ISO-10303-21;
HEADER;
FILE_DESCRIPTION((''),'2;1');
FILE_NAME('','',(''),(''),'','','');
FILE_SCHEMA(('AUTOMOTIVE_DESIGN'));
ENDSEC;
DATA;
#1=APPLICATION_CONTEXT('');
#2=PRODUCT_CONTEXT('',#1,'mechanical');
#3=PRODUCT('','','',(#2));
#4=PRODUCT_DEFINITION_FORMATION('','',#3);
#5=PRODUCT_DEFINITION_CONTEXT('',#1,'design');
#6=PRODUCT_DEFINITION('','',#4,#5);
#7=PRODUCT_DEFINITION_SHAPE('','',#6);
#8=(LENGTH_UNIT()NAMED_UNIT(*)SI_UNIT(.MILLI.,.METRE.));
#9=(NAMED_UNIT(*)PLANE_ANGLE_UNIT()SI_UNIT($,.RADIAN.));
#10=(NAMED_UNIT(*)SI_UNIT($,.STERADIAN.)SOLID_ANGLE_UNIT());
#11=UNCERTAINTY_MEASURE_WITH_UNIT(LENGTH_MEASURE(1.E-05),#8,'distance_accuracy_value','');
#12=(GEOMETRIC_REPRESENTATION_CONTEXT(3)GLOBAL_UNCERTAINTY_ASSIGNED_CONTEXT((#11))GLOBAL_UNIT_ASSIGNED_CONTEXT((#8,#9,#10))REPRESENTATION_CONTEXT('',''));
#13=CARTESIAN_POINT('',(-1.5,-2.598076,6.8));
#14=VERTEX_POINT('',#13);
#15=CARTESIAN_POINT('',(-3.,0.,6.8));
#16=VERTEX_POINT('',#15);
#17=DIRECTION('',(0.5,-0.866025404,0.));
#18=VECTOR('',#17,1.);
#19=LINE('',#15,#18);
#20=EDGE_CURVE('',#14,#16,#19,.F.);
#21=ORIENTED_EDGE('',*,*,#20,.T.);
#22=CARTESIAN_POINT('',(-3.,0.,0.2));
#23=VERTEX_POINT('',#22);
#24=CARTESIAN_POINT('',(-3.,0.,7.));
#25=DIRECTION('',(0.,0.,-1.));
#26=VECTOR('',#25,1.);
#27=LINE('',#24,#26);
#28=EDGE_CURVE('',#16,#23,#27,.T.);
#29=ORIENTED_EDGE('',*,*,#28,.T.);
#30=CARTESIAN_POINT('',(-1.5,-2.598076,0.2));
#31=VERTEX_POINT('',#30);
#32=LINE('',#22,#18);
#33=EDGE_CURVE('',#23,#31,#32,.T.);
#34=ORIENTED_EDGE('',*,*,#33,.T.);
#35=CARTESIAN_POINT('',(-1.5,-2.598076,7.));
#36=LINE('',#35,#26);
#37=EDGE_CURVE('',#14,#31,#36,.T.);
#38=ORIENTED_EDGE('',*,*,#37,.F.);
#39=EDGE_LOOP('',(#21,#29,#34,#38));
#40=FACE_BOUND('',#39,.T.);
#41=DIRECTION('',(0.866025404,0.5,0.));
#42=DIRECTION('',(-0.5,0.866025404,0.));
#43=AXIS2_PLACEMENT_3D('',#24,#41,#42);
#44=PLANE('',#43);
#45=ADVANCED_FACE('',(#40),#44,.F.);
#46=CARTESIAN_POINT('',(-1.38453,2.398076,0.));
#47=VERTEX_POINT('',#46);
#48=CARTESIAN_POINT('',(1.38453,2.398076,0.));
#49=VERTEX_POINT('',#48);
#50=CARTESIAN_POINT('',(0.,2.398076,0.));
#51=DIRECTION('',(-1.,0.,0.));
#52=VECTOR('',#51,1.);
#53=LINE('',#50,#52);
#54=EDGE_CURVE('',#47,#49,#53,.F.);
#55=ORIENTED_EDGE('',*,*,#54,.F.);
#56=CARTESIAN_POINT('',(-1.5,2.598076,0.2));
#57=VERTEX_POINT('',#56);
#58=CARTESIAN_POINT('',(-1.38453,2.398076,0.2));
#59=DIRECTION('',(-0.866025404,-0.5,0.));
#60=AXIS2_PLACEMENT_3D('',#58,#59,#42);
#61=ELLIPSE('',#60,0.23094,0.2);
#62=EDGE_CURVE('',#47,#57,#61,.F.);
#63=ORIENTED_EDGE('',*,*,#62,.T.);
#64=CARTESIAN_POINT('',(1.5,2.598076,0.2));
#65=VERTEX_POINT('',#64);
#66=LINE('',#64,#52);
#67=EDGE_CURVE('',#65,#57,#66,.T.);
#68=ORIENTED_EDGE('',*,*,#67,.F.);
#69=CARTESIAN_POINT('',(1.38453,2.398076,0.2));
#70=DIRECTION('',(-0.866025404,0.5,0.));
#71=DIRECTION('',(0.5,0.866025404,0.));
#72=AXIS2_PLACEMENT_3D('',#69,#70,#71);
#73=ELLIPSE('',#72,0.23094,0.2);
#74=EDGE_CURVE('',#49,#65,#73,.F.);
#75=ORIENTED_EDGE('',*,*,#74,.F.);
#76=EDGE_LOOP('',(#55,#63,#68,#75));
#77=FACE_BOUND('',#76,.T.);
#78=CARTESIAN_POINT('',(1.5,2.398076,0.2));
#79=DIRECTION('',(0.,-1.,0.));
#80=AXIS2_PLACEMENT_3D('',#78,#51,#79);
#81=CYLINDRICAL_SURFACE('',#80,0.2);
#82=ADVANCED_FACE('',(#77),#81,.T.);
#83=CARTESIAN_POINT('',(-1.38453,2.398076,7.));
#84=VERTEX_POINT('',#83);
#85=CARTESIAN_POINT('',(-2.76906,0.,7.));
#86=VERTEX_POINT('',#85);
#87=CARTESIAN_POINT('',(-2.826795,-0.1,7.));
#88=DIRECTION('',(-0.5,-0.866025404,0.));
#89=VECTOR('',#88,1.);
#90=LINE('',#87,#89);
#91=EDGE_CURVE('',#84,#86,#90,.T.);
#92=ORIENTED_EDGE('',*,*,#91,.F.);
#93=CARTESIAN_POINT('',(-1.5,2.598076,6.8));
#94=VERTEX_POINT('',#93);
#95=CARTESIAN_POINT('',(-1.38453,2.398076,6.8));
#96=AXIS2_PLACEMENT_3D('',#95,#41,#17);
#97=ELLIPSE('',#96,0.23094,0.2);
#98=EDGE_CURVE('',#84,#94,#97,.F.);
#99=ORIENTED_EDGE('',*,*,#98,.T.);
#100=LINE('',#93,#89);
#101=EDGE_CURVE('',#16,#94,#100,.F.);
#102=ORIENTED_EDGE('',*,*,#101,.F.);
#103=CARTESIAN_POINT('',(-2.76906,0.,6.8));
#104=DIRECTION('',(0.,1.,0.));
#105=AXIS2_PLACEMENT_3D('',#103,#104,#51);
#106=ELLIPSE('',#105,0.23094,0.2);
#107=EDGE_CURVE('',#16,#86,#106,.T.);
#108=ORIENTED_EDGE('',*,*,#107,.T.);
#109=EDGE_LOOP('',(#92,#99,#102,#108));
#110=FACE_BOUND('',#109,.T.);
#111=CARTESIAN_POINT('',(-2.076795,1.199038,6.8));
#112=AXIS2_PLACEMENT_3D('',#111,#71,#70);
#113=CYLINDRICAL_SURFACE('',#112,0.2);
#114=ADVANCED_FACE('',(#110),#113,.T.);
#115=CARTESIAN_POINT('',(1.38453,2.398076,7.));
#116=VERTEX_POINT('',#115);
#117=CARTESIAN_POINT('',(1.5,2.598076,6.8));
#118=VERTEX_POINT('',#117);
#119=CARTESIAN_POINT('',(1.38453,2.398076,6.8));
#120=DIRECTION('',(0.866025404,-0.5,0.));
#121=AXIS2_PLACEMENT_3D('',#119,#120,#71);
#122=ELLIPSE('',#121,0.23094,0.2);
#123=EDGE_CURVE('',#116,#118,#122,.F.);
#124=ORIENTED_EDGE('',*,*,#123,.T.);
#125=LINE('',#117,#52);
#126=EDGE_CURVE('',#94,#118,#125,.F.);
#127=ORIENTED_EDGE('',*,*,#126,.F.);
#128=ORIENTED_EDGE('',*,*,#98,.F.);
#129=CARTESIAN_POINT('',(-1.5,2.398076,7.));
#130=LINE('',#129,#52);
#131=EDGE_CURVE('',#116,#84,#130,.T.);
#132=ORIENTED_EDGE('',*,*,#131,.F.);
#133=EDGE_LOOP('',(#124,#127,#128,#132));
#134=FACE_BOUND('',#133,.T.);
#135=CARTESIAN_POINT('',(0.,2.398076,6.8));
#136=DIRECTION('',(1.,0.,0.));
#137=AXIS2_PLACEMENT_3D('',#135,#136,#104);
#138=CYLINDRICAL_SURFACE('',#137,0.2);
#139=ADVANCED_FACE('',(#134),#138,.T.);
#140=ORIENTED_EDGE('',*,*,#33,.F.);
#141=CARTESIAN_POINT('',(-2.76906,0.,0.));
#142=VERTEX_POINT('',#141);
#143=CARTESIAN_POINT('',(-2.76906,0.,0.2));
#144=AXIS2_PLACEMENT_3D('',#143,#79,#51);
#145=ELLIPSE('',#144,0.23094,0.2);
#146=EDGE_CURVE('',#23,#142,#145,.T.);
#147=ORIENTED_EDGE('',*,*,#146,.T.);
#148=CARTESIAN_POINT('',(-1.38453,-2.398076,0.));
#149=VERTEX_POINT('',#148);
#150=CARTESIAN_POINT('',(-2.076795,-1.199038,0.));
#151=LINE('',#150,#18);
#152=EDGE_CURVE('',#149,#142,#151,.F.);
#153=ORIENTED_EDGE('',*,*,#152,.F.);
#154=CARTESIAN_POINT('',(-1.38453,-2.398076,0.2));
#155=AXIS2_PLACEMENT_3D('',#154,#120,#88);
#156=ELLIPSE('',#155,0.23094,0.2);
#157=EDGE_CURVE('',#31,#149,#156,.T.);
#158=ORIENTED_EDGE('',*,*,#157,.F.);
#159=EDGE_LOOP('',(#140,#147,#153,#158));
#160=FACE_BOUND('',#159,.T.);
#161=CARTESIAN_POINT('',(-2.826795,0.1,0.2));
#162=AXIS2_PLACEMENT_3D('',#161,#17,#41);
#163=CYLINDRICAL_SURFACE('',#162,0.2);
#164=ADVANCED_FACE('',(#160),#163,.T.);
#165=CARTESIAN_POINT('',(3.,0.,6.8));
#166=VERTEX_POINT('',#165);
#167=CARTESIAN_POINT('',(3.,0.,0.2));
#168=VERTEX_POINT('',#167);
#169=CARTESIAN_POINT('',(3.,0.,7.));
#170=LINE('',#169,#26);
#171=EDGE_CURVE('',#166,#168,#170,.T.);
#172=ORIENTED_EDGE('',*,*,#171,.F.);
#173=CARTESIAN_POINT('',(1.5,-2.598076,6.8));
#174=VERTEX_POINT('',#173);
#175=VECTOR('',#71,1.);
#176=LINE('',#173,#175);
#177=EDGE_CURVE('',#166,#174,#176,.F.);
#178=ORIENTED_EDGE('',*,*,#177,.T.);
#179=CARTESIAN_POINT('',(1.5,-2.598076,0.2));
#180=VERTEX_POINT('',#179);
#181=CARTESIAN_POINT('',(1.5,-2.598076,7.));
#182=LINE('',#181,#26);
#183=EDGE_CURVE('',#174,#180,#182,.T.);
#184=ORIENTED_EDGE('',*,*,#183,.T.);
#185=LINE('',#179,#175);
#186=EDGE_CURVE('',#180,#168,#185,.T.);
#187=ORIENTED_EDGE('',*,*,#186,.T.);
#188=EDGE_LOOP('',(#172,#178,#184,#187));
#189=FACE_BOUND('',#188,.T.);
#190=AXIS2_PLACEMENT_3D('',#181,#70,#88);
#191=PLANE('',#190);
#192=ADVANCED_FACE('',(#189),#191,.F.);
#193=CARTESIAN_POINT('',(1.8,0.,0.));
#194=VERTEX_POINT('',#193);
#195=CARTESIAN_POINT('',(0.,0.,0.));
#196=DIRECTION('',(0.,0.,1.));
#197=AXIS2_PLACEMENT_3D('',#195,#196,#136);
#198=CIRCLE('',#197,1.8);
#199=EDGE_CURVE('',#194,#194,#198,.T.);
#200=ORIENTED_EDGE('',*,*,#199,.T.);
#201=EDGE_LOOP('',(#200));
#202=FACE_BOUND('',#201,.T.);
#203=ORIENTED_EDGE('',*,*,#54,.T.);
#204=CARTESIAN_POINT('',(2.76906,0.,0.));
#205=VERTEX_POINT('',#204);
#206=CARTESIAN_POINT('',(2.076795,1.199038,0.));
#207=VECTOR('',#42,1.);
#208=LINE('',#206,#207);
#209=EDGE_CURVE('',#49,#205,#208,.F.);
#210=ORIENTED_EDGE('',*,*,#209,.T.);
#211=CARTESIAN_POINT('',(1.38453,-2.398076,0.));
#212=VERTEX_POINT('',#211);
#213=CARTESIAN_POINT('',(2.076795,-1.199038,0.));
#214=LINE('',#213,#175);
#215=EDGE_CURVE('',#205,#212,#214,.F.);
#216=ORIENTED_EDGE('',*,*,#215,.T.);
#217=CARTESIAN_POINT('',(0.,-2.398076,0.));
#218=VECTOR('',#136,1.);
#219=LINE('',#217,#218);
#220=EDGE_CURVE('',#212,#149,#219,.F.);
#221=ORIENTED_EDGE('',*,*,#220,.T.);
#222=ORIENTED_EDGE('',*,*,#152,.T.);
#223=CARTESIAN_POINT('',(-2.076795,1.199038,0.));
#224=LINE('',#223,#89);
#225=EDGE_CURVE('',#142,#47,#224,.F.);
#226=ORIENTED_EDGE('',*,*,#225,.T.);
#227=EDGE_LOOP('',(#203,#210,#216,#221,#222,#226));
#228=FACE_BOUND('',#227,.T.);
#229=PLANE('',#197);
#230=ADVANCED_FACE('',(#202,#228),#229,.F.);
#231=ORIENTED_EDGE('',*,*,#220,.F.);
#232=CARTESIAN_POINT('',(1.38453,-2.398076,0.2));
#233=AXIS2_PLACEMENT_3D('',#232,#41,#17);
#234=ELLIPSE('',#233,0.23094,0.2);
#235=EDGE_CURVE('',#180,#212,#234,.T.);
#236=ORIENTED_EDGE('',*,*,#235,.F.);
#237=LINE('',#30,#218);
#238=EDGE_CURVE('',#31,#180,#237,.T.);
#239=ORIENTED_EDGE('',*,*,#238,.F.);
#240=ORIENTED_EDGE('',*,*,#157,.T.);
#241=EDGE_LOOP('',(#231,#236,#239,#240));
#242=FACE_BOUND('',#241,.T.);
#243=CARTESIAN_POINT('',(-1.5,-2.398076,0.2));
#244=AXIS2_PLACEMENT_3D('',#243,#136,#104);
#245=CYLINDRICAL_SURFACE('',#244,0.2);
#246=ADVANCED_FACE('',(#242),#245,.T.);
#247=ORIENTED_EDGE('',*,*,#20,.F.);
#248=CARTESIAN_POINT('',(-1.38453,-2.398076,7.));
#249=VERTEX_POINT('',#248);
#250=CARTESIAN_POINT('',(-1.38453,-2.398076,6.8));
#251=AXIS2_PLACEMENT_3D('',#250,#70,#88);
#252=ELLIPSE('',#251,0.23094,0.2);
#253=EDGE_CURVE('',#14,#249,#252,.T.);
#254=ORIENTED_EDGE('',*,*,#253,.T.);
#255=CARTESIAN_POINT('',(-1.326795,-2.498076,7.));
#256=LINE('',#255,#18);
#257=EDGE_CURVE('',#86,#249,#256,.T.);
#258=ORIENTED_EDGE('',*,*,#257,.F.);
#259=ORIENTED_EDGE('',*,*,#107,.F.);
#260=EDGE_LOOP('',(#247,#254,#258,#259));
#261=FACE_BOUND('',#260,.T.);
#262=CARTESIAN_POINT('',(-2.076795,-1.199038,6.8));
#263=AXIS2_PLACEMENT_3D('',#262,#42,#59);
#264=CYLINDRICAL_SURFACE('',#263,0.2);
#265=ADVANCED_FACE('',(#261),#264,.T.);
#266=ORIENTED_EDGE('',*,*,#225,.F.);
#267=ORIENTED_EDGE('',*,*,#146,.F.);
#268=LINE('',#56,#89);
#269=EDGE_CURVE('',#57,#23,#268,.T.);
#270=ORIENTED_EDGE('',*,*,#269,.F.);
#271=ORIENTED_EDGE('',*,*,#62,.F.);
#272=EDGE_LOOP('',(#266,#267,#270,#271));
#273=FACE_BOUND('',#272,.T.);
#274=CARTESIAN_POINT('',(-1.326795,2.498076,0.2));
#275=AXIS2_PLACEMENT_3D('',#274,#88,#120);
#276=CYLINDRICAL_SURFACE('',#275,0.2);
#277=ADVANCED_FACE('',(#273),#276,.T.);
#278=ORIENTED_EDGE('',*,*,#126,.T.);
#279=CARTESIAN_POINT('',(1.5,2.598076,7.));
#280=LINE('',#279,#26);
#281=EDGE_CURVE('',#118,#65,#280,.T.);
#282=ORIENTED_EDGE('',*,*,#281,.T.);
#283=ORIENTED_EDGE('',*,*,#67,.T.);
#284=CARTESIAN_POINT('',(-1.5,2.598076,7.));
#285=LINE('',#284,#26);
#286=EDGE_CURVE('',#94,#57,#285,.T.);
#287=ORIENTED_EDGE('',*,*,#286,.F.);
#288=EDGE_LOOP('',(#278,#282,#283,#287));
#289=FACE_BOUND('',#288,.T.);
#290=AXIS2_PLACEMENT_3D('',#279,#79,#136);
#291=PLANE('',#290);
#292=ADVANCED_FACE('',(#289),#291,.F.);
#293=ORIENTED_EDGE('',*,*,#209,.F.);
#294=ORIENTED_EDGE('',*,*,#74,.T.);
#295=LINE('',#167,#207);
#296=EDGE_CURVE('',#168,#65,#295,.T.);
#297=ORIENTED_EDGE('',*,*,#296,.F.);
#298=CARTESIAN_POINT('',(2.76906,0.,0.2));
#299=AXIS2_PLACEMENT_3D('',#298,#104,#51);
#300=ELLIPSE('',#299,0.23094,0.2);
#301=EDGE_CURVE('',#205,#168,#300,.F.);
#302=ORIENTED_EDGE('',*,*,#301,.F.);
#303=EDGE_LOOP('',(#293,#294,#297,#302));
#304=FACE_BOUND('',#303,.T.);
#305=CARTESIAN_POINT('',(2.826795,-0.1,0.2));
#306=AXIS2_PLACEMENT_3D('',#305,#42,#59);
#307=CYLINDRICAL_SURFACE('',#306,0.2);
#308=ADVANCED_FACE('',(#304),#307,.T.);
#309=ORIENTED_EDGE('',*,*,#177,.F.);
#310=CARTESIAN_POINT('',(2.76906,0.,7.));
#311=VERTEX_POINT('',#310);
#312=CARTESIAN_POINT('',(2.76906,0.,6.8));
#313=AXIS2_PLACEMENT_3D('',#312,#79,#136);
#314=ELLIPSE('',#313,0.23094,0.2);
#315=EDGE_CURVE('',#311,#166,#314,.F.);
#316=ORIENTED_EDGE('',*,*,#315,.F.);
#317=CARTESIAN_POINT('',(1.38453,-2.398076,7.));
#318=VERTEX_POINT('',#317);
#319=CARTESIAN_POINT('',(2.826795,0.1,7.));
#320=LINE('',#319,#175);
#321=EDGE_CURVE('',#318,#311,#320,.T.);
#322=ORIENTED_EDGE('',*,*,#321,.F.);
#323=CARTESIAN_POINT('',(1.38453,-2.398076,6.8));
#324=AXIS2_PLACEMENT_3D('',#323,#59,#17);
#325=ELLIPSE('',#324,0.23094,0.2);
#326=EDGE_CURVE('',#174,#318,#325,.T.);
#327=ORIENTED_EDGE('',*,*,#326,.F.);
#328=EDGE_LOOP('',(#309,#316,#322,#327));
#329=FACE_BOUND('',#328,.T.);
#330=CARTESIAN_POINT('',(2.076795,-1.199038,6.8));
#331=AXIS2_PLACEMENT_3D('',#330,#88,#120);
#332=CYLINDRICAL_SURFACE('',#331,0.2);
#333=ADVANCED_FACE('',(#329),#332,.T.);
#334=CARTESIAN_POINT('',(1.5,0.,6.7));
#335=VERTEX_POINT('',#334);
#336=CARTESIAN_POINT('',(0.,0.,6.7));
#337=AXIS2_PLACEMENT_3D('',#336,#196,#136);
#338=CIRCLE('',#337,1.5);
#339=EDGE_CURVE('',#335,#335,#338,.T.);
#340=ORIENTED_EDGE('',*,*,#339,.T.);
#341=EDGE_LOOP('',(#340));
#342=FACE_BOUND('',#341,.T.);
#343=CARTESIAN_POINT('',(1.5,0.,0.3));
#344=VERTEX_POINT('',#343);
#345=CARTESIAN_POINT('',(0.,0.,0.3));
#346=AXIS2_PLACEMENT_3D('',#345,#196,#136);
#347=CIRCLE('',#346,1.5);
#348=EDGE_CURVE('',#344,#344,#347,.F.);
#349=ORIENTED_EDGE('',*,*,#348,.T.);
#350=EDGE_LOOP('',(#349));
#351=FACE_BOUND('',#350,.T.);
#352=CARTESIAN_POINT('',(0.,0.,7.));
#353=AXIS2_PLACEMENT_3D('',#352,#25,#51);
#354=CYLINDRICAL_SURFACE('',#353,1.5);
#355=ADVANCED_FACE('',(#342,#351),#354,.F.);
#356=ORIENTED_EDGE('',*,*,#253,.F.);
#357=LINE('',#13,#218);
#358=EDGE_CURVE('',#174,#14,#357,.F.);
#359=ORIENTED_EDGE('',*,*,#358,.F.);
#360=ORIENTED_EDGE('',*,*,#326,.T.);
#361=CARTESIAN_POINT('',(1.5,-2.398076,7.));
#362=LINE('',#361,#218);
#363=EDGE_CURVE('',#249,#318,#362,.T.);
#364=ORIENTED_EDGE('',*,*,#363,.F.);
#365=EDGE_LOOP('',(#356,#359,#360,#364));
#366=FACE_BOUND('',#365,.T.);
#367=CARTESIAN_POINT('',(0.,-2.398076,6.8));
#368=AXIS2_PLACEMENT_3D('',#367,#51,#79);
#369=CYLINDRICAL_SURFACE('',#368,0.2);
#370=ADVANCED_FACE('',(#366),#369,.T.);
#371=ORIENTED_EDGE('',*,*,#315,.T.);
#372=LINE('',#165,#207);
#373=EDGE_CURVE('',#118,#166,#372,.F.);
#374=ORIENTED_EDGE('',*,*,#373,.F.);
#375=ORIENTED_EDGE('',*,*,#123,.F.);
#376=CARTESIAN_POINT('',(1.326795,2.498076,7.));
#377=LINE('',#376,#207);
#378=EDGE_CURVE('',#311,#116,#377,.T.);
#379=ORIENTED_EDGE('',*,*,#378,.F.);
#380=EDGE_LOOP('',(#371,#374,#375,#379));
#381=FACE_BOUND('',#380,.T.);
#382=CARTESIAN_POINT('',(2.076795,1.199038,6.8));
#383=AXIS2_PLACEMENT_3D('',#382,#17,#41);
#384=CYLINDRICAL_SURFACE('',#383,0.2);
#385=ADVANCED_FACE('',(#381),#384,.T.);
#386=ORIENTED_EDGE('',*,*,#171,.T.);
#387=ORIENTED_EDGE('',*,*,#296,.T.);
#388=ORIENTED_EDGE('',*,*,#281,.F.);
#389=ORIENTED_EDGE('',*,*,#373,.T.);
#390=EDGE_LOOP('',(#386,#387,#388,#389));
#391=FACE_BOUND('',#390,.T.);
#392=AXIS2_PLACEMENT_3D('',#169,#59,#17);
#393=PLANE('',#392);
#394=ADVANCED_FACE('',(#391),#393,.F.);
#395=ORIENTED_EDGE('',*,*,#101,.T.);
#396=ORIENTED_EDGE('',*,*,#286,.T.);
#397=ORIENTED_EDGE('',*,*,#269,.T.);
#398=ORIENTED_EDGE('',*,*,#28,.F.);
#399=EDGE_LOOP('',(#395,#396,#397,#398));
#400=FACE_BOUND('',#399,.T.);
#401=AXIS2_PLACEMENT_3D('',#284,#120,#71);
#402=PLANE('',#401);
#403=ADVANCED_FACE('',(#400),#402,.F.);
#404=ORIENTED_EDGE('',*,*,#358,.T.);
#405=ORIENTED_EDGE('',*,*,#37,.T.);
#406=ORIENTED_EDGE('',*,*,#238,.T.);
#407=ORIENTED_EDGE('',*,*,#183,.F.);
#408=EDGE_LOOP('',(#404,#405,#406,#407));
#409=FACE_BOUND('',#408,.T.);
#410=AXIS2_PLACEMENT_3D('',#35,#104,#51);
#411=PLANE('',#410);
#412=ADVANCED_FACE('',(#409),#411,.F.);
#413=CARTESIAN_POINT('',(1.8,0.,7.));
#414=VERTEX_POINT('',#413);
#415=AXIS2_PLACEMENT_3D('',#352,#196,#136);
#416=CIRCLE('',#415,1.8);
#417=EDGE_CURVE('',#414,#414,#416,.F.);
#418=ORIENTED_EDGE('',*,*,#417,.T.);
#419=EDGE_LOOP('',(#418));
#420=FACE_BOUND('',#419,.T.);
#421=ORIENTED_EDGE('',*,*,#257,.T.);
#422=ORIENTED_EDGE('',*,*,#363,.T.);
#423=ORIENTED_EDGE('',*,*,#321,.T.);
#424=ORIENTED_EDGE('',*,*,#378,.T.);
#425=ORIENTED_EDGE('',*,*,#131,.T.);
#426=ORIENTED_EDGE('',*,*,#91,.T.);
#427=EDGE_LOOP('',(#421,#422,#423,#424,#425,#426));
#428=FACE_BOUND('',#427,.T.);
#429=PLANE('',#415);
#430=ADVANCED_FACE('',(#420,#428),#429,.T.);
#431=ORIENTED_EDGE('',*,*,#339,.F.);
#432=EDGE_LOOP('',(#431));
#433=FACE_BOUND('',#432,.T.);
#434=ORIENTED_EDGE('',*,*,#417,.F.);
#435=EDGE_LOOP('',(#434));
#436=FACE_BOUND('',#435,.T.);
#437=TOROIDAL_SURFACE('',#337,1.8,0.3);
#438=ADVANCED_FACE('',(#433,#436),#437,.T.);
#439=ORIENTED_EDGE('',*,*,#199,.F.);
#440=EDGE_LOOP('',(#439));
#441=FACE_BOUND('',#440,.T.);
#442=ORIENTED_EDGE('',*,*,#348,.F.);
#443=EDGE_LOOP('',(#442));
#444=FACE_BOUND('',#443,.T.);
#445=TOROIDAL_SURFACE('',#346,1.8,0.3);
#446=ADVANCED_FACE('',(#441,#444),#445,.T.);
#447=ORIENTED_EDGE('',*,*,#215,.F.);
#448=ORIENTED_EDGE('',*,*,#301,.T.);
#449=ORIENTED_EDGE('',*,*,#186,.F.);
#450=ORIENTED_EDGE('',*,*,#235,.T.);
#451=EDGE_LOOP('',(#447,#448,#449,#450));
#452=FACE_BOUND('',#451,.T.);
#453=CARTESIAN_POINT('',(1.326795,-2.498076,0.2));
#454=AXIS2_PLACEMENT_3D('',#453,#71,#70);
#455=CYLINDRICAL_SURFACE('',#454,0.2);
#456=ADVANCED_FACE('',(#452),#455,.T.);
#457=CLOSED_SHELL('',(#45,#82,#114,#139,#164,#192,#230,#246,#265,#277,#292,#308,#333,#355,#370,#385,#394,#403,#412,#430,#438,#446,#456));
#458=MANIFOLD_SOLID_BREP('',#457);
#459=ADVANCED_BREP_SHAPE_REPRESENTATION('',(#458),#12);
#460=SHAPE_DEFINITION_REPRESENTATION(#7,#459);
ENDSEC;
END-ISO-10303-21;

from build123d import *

# Parameters (mm, degrees)
SKETCH1_R           = 1.5
BOSS_EXTRUDE1_DEPTH = 7
FILLET1_R           = 0.3
FILLET2_R           = 0.2


with BuildPart() as part:
    # Sketch1 → Boss-Extrude1 (new body)
    with BuildSketch(Plane.XY):
        Polygon((3, 0), (1.5, 2.598076211), (-1.5, 2.598076211), (-3, 0), (-1.5, -2.598076211), (1.5, -2.598076211), align=None)
        Circle(SKETCH1_R, mode=Mode.SUBTRACT)
    extrude(amount=BOSS_EXTRUDE1_DEPTH)

    # Fillet1
    fillet1_edges = [part.edges().sort_by_distance(p)[0] for p in [
        (-1.5, 0, 0),
        (-1.5, 0, 7),
    ]]
    fillet(fillet1_edges, radius=FILLET1_R)

    # Fillet2
    fillet2_edges = [part.edges().sort_by_distance(p)[0] for p in [
        (0, 2.598076211, 7),
        (-2.25, 1.299038106, 7),
        (-2.25, -1.299038106, 7),
        (0, -2.598076211, 7),
        (2.25, -1.299038106, 7),
        (0, -2.598076211, 0),
        (-2.25, -1.299038106, 0),
        (-2.25, 1.299038106, 0),
        (2.25, 1.299038106, 7),
        (0, 2.598076211, 0),
        (2.25, 1.299038106, 0),
        (2.25, -1.299038106, 0),
    ]]
    fillet(fillet2_edges, radius=FILLET2_R)


solid = part.part
